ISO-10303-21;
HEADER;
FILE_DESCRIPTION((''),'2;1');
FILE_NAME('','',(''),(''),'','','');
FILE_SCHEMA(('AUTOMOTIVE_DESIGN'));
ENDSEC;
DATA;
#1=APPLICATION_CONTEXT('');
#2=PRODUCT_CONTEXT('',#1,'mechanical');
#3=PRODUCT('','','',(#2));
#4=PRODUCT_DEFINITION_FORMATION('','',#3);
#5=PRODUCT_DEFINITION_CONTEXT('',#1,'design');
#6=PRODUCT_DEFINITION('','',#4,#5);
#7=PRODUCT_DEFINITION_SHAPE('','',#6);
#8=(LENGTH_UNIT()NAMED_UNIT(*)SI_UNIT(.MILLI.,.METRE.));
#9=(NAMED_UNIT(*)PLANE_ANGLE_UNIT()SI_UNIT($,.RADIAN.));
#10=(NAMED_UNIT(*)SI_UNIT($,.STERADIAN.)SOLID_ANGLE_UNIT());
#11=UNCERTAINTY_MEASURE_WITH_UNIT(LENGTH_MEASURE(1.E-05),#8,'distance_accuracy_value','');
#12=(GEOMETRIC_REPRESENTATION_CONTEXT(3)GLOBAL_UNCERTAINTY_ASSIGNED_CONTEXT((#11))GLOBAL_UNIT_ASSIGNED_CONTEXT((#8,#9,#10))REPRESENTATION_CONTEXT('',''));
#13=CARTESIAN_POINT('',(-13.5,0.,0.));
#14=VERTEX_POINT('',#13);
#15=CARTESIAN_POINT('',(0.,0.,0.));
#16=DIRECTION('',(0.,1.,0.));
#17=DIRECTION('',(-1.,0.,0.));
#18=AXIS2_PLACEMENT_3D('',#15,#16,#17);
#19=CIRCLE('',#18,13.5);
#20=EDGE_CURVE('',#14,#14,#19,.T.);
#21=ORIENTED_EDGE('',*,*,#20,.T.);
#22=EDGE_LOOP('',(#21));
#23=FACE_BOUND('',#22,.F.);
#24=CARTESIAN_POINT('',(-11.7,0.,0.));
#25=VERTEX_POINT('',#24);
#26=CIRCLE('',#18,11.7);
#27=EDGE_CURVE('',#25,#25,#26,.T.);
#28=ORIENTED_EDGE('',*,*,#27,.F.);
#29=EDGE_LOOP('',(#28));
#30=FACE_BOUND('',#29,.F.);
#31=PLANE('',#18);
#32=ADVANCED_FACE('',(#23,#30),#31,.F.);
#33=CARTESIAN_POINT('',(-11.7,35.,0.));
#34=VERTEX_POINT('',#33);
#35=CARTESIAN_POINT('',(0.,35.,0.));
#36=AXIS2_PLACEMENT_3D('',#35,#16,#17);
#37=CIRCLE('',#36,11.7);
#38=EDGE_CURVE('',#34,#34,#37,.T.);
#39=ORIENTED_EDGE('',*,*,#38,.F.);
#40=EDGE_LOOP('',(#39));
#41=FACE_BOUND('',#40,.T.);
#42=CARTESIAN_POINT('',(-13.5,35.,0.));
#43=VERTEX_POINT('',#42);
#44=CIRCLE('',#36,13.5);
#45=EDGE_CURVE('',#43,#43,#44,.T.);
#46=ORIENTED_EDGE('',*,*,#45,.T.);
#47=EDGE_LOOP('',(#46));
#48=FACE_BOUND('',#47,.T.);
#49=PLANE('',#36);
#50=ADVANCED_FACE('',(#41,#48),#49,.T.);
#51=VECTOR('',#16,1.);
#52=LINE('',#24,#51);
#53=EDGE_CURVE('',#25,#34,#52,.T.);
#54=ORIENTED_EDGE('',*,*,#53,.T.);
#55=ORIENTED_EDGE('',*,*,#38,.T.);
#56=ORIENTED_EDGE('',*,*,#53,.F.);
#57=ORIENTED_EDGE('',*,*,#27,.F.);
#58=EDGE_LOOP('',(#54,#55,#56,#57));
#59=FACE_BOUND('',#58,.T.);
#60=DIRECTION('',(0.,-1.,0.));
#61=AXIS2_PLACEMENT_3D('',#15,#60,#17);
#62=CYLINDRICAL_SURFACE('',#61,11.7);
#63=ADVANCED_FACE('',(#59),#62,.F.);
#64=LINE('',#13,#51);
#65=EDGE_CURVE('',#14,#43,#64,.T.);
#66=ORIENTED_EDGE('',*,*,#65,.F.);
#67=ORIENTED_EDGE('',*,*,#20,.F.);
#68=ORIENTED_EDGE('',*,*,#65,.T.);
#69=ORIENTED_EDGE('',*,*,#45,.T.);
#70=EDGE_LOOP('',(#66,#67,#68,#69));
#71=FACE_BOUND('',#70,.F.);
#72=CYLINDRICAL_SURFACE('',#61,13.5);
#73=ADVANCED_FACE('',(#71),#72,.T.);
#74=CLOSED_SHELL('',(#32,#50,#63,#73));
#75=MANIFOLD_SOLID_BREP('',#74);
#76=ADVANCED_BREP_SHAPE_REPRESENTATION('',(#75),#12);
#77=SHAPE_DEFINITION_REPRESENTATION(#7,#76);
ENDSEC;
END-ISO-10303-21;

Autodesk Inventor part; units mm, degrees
ref_plane "YZ Plane" through (0, 0, 0) normal (1, 0, 0) x (0, 1, 0)
ref_plane "XZ Plane" through (0, 0, 0) normal (0, 1, 0) x (-1, 0, 0)
ref_plane "XY Plane" through (0, 0, 0) normal (0, 0, 1) x (1, 0, 0)
sketch "Sketch1" plane through (0, 0, 0) normal (0, 1, 0) x (-1, 0, 0)
  circle A0 centre (0, 0) radius 13.5
  circle A1 centre (0, 0) radius 11.7
  dimension "d0" = 27
  dimension "d1" = 23.4
extrude "Extrusion1" add sketch "Sketch1" along normal blind 35
properties part number "ConectorGasCamara"
